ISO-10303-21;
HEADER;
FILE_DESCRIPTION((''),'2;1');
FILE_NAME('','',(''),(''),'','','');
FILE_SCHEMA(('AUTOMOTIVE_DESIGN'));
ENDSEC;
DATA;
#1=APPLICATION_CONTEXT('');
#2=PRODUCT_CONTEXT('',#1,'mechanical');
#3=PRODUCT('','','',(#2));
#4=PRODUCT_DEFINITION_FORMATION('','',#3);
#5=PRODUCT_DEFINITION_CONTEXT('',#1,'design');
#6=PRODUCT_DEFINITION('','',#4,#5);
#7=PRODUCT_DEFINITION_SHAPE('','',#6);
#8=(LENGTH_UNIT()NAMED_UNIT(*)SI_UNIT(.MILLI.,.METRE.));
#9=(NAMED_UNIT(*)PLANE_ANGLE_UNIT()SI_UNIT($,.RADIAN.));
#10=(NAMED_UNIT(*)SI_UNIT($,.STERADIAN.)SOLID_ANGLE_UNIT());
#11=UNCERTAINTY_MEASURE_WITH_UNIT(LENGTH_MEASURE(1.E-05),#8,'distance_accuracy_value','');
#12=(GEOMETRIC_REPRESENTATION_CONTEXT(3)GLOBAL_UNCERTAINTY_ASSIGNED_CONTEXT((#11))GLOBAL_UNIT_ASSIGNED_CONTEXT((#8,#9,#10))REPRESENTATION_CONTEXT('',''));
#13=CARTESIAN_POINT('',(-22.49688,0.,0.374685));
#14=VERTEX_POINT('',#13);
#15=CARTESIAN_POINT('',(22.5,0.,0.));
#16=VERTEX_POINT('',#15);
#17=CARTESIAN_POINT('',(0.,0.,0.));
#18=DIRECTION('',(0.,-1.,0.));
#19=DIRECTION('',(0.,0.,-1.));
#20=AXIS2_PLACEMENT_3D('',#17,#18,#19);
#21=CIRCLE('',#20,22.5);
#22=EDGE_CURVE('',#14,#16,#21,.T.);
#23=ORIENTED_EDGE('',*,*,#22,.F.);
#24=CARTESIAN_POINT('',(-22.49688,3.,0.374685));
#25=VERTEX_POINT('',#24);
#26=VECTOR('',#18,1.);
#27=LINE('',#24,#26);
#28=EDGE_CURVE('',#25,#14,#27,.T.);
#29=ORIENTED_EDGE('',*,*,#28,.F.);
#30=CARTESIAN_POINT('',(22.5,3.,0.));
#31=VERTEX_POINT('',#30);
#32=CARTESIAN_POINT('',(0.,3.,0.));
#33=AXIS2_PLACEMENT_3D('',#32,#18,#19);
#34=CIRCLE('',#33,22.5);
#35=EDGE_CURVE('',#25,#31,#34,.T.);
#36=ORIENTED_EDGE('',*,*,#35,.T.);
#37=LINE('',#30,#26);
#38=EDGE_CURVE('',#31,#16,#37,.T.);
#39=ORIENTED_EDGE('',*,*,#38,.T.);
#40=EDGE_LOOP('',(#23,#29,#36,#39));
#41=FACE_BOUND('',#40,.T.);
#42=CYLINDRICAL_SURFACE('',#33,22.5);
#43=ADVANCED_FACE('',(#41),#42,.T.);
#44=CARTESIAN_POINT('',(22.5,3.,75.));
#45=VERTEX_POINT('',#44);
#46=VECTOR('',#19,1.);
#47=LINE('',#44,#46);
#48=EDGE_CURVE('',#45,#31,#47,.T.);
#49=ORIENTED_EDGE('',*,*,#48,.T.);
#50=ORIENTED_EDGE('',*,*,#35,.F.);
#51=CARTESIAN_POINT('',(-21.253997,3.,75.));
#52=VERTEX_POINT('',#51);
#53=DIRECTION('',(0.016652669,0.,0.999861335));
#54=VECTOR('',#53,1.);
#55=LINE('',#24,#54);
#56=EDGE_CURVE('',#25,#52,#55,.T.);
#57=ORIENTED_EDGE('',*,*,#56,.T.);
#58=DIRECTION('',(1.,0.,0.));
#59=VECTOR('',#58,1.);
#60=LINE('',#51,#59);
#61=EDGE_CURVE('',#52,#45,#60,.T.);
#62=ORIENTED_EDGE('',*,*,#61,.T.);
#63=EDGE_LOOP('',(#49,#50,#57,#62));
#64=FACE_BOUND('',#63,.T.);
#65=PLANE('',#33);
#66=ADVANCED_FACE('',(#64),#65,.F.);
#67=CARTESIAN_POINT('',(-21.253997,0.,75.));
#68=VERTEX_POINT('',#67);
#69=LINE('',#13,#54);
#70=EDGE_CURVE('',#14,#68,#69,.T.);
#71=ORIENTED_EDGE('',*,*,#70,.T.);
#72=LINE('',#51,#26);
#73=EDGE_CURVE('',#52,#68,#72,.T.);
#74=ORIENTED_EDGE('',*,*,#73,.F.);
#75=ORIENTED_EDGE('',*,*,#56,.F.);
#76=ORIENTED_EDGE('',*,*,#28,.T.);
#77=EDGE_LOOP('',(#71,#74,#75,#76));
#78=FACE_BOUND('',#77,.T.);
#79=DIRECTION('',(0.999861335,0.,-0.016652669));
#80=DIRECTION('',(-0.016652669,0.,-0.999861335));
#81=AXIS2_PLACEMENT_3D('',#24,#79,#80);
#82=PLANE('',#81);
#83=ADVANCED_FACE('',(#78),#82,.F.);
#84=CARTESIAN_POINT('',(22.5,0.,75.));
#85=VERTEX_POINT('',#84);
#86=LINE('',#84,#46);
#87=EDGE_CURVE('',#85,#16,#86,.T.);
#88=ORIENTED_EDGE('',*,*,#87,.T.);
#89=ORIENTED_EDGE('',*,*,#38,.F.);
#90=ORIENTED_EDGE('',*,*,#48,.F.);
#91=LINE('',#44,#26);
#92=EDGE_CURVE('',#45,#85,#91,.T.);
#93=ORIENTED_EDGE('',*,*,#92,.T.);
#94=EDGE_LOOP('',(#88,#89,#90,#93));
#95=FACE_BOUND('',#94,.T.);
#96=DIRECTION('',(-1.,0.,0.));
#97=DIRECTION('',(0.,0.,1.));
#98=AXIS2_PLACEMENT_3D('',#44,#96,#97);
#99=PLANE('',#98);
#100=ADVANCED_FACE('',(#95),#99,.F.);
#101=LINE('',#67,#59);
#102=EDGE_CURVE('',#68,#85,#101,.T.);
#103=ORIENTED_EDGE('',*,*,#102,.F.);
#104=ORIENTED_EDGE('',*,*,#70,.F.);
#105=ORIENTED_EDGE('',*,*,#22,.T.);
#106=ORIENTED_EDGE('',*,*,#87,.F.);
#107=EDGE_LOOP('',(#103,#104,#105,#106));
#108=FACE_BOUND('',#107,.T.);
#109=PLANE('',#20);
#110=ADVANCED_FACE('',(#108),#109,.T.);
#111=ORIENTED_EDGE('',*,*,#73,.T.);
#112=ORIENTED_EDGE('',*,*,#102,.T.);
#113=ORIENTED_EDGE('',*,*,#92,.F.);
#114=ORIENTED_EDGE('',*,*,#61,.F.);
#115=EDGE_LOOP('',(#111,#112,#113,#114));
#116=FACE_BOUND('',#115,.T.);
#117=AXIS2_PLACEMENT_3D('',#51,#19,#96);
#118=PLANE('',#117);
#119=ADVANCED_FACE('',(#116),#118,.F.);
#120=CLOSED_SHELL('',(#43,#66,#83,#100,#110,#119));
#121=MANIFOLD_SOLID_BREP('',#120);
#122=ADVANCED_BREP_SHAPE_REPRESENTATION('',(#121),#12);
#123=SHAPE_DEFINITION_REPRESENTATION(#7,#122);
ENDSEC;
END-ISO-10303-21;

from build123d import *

# Parameters (mm, degrees)
BOSS_EXTRUDE1_DEPTH = 3


with BuildPart() as part:
    # Sketch1 → Boss-Extrude1 (new body)
    with BuildSketch(Plane(origin=(0, 0, 0), x_dir=(1, 0, 0), z_dir=(0, 1, 0))):
        with BuildLine():
            Line((-22.49688003, -0.374685064), (-21.25399698, -75))
            Line((-21.25399698, -75), (22.5, -75))
            Line((22.5, -75), (22.5, 0))
            ThreePointArc((22.5, 0), (-0.187349027, 22.499219994), (-22.49688003, -0.374685064))
        make_face()
    extrude(amount=BOSS_EXTRUDE1_DEPTH)


solid = part.part
